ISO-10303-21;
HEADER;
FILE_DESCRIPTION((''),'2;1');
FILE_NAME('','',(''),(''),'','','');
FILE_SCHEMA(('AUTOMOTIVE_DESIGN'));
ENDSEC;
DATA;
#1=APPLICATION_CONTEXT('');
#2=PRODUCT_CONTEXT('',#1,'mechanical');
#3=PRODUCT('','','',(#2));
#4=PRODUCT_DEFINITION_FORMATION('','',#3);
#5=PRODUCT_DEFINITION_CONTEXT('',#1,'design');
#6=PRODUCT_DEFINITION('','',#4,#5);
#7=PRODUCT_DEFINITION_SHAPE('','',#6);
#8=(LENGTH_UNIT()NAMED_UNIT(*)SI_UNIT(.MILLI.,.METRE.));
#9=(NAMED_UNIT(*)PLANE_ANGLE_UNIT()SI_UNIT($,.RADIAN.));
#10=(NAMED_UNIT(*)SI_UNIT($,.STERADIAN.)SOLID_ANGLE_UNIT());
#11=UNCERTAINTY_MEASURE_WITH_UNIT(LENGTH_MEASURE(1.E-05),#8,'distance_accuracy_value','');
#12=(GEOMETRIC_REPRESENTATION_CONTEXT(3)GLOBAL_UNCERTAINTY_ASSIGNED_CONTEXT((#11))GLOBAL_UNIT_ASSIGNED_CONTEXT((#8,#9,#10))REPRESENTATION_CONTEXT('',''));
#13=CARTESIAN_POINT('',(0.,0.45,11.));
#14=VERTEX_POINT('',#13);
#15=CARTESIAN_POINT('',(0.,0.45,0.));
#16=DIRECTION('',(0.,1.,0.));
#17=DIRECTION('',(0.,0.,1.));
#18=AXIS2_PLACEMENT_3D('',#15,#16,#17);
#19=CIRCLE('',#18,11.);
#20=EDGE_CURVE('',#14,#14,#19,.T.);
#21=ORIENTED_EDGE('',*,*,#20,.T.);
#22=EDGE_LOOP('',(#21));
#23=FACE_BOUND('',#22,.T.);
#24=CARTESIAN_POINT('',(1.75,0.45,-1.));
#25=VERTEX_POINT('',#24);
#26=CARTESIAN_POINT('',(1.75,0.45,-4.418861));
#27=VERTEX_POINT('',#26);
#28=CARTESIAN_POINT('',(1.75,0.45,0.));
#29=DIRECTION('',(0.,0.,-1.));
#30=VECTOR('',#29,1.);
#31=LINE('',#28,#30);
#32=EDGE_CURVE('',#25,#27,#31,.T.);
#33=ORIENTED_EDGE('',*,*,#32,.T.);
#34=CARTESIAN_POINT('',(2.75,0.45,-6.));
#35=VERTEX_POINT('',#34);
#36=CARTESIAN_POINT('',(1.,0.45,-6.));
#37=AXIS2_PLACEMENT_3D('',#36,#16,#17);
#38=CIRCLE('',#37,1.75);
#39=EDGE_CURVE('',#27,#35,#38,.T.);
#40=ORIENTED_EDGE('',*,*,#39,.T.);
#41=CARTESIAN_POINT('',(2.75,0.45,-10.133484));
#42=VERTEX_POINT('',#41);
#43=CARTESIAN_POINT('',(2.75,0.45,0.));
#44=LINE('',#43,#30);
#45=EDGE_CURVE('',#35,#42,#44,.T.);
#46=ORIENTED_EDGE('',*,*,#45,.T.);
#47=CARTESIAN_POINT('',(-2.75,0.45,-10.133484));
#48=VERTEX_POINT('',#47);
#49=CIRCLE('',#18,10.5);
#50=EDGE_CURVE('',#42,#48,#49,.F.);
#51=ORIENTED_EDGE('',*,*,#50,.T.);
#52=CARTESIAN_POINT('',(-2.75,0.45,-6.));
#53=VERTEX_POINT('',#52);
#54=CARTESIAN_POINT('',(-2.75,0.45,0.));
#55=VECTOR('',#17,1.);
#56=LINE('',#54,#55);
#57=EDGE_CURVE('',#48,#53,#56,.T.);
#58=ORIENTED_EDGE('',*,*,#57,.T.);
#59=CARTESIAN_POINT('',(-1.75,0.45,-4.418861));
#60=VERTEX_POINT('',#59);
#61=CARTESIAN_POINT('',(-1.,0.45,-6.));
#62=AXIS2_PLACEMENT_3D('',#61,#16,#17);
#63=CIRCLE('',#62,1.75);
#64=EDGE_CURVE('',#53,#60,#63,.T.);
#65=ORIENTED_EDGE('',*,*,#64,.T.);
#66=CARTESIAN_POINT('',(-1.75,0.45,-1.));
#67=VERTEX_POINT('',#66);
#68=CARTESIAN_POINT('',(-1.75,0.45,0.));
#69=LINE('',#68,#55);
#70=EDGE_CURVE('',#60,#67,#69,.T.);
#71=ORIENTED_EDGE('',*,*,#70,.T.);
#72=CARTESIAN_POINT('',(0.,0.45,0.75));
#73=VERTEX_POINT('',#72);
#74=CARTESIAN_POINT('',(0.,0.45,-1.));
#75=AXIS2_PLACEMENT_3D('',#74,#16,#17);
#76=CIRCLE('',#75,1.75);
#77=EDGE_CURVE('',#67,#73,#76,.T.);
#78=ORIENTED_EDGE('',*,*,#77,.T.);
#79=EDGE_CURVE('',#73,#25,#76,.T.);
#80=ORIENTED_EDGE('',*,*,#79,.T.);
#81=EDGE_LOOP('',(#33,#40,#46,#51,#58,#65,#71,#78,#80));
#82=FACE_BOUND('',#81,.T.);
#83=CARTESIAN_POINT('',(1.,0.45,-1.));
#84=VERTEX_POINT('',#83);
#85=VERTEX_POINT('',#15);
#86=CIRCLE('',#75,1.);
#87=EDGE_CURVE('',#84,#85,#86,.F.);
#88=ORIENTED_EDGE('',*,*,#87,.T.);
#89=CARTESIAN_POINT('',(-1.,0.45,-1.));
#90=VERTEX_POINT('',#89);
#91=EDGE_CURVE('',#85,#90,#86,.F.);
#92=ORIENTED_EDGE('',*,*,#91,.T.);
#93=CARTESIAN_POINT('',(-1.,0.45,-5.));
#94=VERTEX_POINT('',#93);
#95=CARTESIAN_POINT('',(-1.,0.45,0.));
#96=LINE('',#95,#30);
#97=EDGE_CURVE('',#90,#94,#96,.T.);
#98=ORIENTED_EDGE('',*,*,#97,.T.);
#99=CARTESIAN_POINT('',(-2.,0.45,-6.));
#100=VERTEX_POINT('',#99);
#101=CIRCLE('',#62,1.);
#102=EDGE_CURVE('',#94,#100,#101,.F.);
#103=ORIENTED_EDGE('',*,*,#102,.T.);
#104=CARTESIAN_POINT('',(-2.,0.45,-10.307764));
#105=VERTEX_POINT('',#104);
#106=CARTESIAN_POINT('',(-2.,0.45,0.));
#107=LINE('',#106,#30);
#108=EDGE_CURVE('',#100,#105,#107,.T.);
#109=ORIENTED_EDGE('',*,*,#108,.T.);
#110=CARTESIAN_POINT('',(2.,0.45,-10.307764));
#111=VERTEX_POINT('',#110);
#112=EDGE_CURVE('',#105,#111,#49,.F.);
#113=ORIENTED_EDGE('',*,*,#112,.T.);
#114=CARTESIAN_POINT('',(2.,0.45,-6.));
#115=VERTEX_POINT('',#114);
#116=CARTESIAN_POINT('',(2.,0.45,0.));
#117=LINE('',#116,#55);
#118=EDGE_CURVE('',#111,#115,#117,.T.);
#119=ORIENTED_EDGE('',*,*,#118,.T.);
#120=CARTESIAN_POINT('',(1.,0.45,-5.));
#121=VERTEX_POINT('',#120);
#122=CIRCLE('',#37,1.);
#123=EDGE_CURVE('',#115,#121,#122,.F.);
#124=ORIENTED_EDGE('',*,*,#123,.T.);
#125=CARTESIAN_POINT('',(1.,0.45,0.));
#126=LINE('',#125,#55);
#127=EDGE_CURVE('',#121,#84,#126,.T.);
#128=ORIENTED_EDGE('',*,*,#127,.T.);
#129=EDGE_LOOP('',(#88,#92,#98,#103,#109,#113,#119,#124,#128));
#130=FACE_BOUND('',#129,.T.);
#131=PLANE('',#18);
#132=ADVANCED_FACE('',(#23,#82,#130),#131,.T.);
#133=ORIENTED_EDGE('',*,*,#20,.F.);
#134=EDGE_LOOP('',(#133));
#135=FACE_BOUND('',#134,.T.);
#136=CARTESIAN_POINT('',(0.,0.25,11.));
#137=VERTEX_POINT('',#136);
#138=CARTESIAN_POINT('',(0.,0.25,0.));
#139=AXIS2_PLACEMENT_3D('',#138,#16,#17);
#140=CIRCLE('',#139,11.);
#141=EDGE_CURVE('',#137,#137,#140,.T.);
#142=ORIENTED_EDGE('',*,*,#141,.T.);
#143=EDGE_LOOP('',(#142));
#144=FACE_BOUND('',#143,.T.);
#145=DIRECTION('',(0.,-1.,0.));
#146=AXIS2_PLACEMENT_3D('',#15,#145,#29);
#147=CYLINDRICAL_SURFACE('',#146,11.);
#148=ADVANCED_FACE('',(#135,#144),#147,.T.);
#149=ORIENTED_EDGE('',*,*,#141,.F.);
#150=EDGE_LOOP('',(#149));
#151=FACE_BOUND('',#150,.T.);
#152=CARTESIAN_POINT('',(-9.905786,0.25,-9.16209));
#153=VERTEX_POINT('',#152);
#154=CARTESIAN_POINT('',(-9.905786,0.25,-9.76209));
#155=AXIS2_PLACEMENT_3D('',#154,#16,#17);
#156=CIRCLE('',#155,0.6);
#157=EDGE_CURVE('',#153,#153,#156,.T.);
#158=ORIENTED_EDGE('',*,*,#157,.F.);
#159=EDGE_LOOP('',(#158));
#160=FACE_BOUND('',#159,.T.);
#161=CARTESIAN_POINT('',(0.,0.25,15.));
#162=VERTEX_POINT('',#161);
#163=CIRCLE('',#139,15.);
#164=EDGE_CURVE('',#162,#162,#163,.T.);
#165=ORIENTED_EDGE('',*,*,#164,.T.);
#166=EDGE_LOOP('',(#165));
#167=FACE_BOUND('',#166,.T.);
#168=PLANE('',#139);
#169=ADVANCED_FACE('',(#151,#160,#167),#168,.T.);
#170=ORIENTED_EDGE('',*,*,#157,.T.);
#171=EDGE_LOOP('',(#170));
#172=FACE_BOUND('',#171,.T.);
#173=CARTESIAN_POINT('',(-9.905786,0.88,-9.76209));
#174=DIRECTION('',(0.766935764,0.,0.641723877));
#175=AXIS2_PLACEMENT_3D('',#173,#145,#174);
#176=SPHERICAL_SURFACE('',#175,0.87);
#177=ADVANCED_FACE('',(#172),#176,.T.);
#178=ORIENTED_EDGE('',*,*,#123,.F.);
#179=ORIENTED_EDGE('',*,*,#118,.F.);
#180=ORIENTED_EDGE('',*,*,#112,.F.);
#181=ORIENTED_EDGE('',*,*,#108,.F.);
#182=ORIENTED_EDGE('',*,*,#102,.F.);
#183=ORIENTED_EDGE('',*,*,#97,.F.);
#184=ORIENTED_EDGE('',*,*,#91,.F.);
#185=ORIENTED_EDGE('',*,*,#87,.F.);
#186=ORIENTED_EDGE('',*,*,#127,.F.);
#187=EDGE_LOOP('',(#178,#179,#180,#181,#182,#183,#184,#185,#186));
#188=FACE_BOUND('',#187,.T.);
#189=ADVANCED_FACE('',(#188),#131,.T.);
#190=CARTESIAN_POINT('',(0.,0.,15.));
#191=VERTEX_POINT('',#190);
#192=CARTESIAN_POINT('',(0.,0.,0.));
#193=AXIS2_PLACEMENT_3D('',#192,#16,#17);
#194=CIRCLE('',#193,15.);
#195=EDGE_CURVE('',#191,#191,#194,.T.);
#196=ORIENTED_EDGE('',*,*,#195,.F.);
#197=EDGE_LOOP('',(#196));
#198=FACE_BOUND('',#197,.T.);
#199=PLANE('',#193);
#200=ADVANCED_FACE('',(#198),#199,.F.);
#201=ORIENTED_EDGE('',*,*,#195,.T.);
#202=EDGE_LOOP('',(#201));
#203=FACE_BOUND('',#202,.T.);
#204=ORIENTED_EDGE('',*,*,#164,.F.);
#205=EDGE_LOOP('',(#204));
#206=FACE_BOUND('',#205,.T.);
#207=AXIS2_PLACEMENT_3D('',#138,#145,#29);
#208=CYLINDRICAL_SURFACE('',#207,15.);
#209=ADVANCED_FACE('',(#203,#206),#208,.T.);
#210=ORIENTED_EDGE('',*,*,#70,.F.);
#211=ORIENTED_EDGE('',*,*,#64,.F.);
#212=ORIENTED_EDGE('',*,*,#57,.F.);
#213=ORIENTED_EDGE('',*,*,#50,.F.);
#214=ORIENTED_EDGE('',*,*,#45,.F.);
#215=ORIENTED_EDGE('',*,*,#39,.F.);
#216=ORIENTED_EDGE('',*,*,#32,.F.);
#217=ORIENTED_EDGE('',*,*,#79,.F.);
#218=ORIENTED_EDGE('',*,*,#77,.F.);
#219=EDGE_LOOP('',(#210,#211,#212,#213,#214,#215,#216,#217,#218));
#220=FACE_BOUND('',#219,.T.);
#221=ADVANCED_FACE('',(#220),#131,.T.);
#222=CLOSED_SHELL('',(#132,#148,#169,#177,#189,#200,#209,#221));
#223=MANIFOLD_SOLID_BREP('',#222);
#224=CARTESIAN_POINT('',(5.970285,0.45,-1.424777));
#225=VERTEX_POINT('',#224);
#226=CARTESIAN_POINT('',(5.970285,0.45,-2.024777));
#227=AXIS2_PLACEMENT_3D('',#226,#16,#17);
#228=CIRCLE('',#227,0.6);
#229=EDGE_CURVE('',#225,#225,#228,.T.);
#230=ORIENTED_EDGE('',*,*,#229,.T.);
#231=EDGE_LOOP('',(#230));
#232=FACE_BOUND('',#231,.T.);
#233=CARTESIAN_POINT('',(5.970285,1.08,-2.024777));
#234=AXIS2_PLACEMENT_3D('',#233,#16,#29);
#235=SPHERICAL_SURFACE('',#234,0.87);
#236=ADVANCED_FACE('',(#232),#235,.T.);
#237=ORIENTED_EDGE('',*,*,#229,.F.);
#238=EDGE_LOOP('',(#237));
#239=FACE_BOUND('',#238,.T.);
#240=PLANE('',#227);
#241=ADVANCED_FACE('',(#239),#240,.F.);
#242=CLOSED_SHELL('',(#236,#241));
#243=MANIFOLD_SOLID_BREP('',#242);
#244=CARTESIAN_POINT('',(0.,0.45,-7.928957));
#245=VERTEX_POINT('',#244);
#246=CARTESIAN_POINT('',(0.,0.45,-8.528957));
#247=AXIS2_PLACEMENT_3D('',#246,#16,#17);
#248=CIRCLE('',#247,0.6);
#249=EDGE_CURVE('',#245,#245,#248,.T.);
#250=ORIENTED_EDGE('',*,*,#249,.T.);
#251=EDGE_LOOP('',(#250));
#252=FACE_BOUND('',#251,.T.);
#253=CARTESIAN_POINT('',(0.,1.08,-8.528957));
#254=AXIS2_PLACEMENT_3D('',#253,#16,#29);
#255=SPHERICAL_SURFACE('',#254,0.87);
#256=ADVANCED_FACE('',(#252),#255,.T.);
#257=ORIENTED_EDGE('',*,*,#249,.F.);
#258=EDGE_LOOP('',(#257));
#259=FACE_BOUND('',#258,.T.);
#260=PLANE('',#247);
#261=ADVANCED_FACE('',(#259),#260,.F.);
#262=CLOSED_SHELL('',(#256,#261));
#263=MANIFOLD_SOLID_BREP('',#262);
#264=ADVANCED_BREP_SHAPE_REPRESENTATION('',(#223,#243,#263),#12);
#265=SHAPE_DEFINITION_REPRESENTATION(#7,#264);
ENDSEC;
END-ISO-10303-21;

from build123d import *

# Parameters (mm, degrees)
SKETCH1_R           = 15
BOSS_EXTRUDE1_DEPTH = 0.25
SKETCH2_R           = 11
BOSS_EXTRUDE2_DEPTH = 0.2


with BuildPart() as part:
    # Sketch1 → Boss-Extrude1 (new body)
    with BuildSketch(Plane(origin=(0, 0, 0), x_dir=(1, 0, 0), z_dir=(0, 1, 0))):
        with Locations(Location((0, 0, 0), (0, 0, 270))):
            Circle(SKETCH1_R)
    extrude(amount=BOSS_EXTRUDE1_DEPTH)

    # Sketch2 → Boss-Extrude2 (add)
    with BuildSketch(Plane(origin=(0, 0.25, 0), x_dir=(1, 0, 0), z_dir=(0, 1, 0))):
        with Locations(Location((0, 0, 0), (0, 0, 270))):
            Circle(SKETCH2_R)
    extrude(amount=BOSS_EXTRUDE2_DEPTH)

    # Sketch7 → Revolve2 (revolve)
    with BuildSketch(Plane(origin=(0.725222659, 0, -0.866726662), x_dir=(0.7669357638780605, 0, 0.6417238768230272), z_dir=(-0.6417238768230272, 0, 0.7669357638780605))):
        with BuildLine():
            Line((-13.861668199, 0.25), (-13.261668199, 0.25))
            ThreePointArc((-13.261668199, 0.25), (-13.053893478, 1.203109888), (-13.861668199, 1.75))
            Line((-13.861668199, 1.75), (-13.861668199, 0.25))
        make_face()
    revolve(axis=Axis((-9.90578643, 0.45, -9.762090118), (0, 1, 0)))


with BuildPart() as body_2:
    # Sketch5 → Revolve1 (revolve)
    with BuildSketch(Plane(origin=(0, 0, 0), x_dir=(0, 0, -1), z_dir=(1, 0, 0))):
        with BuildLine():
            Line((8.528956605, 0.45), (9.128956605, 0.45))
            ThreePointArc((9.128956605, 0.45), (9.336731326, 1.403109888), (8.528956605, 1.95))
            Line((8.528956605, 1.95), (8.528956605, 0.45))
        make_face()
    revolve(axis=Axis((0, 1.95, -8.528956605), (0, -1, 0)))


with BuildPart() as body_3:
    # Body-Move/Copy2: copy of body 2
    add(body_2.part.moved(Location((5.970284631, 0, 6.504179649))))


solid = Compound([part.part, body_2.part, body_3.part])
